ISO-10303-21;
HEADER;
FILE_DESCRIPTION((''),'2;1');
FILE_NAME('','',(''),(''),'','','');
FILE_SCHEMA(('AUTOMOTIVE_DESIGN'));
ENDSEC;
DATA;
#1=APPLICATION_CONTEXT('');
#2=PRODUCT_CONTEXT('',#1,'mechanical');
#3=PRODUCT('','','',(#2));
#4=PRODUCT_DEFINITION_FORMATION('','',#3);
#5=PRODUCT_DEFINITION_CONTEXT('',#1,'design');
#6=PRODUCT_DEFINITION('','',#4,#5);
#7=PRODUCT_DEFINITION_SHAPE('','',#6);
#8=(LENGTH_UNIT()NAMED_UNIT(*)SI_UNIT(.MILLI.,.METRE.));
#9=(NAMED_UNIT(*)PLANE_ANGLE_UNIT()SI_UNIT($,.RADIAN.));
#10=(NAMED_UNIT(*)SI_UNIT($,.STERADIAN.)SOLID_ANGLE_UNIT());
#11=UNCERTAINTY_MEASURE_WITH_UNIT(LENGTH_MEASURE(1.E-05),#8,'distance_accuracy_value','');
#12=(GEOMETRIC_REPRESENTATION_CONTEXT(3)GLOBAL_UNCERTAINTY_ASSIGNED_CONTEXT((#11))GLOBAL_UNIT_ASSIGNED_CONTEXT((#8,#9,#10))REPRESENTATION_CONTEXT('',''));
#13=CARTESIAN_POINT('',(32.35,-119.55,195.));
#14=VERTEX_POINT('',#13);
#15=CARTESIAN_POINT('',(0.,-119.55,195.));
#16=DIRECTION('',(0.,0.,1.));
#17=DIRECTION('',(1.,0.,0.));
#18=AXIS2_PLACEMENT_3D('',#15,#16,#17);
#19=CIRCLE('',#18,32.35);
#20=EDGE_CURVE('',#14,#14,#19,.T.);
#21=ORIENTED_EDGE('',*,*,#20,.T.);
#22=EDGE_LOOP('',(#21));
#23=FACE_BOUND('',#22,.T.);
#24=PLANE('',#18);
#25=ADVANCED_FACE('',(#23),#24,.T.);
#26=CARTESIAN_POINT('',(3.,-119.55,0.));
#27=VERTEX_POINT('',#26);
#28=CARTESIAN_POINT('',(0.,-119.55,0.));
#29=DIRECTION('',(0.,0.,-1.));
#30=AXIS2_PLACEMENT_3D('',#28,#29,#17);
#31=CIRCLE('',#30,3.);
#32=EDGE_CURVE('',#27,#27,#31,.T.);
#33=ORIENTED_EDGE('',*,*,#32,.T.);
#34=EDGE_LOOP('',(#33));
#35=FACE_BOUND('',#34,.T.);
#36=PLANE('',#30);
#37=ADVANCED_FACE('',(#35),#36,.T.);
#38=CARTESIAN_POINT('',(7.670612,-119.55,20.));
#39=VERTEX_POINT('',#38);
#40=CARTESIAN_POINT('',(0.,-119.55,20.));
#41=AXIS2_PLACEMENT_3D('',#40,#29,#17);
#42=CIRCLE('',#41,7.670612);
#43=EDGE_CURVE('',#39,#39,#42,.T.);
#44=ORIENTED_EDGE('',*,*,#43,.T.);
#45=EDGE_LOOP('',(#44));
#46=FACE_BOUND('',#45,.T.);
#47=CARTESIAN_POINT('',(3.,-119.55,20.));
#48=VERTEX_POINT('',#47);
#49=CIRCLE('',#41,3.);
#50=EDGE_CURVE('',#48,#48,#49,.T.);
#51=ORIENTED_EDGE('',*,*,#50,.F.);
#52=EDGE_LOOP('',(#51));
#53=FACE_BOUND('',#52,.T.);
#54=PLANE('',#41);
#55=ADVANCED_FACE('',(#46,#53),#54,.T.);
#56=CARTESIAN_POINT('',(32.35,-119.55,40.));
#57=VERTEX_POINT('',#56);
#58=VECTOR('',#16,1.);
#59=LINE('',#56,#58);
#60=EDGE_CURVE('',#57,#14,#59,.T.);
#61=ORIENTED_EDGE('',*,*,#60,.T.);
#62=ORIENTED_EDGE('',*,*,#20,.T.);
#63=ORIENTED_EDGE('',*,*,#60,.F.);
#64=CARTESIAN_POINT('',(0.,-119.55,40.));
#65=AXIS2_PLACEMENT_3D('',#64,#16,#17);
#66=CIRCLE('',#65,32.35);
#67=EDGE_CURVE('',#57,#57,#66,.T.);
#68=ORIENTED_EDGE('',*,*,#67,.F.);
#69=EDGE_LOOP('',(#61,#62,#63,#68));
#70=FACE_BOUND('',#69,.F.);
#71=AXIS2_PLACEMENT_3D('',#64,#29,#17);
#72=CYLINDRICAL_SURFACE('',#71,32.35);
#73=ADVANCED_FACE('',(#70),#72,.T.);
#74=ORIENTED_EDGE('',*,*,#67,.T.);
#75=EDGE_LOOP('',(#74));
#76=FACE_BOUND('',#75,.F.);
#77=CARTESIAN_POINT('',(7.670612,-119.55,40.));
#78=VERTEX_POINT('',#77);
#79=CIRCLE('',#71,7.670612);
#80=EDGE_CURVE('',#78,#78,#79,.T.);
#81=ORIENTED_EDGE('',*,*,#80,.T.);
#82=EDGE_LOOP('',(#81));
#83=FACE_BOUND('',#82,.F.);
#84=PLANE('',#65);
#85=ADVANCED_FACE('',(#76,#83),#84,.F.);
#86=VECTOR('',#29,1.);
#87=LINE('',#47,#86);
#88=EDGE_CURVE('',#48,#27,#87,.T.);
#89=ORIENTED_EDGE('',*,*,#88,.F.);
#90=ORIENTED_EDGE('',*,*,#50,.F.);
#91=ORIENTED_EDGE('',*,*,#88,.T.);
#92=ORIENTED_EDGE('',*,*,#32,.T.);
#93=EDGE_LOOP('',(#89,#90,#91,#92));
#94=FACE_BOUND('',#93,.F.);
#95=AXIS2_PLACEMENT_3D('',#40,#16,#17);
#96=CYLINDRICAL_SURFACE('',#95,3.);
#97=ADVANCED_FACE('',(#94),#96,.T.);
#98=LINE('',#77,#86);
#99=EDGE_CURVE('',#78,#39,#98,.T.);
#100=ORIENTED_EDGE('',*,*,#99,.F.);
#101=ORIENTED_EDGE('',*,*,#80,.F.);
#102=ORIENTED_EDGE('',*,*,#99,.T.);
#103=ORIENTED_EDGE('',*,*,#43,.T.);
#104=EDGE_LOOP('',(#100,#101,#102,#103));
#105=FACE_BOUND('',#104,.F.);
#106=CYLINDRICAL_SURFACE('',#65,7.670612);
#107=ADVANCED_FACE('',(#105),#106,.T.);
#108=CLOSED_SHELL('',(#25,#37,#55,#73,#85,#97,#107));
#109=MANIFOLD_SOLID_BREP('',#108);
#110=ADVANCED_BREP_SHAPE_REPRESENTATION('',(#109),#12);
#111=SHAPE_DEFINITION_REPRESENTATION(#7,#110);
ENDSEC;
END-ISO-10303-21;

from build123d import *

# Parameters (mm, degrees)
SKETCH_R     = 32.35
PAD_DEPTH    = 155
SKETCH001_R  = 7.670612
PAD001_DEPTH = 20
SKETCH002_R  = 3
PAD002_DEPTH = 20


with BuildPart() as part:
    # Sketch → Pad (new body)
    with BuildSketch(Plane.XY):
        Circle(SKETCH_R)
    extrude(amount=PAD_DEPTH)

    # Sketch001 (on Face2 of Pad) → Pad001 (join)
    with BuildSketch(Plane(origin=(0, 0, 0), x_dir=(1, 0, 0), z_dir=(0, 0, -1))):
        Circle(SKETCH001_R)
    extrude(amount=PAD001_DEPTH)

    # Sketch002 (on Face5 of Pad001) → Pad002 (join)
    with BuildSketch(Plane(origin=(0, 0, -20), x_dir=(1, 0, 0), z_dir=(0, 0, -1))):
        Circle(SKETCH002_R)
    extrude(amount=PAD002_DEPTH)


with BuildPart() as part_1:
    # Body placement: moved
    add(part.part.moved(Location((0, -119.55, 40))))


solid = part_1.part
